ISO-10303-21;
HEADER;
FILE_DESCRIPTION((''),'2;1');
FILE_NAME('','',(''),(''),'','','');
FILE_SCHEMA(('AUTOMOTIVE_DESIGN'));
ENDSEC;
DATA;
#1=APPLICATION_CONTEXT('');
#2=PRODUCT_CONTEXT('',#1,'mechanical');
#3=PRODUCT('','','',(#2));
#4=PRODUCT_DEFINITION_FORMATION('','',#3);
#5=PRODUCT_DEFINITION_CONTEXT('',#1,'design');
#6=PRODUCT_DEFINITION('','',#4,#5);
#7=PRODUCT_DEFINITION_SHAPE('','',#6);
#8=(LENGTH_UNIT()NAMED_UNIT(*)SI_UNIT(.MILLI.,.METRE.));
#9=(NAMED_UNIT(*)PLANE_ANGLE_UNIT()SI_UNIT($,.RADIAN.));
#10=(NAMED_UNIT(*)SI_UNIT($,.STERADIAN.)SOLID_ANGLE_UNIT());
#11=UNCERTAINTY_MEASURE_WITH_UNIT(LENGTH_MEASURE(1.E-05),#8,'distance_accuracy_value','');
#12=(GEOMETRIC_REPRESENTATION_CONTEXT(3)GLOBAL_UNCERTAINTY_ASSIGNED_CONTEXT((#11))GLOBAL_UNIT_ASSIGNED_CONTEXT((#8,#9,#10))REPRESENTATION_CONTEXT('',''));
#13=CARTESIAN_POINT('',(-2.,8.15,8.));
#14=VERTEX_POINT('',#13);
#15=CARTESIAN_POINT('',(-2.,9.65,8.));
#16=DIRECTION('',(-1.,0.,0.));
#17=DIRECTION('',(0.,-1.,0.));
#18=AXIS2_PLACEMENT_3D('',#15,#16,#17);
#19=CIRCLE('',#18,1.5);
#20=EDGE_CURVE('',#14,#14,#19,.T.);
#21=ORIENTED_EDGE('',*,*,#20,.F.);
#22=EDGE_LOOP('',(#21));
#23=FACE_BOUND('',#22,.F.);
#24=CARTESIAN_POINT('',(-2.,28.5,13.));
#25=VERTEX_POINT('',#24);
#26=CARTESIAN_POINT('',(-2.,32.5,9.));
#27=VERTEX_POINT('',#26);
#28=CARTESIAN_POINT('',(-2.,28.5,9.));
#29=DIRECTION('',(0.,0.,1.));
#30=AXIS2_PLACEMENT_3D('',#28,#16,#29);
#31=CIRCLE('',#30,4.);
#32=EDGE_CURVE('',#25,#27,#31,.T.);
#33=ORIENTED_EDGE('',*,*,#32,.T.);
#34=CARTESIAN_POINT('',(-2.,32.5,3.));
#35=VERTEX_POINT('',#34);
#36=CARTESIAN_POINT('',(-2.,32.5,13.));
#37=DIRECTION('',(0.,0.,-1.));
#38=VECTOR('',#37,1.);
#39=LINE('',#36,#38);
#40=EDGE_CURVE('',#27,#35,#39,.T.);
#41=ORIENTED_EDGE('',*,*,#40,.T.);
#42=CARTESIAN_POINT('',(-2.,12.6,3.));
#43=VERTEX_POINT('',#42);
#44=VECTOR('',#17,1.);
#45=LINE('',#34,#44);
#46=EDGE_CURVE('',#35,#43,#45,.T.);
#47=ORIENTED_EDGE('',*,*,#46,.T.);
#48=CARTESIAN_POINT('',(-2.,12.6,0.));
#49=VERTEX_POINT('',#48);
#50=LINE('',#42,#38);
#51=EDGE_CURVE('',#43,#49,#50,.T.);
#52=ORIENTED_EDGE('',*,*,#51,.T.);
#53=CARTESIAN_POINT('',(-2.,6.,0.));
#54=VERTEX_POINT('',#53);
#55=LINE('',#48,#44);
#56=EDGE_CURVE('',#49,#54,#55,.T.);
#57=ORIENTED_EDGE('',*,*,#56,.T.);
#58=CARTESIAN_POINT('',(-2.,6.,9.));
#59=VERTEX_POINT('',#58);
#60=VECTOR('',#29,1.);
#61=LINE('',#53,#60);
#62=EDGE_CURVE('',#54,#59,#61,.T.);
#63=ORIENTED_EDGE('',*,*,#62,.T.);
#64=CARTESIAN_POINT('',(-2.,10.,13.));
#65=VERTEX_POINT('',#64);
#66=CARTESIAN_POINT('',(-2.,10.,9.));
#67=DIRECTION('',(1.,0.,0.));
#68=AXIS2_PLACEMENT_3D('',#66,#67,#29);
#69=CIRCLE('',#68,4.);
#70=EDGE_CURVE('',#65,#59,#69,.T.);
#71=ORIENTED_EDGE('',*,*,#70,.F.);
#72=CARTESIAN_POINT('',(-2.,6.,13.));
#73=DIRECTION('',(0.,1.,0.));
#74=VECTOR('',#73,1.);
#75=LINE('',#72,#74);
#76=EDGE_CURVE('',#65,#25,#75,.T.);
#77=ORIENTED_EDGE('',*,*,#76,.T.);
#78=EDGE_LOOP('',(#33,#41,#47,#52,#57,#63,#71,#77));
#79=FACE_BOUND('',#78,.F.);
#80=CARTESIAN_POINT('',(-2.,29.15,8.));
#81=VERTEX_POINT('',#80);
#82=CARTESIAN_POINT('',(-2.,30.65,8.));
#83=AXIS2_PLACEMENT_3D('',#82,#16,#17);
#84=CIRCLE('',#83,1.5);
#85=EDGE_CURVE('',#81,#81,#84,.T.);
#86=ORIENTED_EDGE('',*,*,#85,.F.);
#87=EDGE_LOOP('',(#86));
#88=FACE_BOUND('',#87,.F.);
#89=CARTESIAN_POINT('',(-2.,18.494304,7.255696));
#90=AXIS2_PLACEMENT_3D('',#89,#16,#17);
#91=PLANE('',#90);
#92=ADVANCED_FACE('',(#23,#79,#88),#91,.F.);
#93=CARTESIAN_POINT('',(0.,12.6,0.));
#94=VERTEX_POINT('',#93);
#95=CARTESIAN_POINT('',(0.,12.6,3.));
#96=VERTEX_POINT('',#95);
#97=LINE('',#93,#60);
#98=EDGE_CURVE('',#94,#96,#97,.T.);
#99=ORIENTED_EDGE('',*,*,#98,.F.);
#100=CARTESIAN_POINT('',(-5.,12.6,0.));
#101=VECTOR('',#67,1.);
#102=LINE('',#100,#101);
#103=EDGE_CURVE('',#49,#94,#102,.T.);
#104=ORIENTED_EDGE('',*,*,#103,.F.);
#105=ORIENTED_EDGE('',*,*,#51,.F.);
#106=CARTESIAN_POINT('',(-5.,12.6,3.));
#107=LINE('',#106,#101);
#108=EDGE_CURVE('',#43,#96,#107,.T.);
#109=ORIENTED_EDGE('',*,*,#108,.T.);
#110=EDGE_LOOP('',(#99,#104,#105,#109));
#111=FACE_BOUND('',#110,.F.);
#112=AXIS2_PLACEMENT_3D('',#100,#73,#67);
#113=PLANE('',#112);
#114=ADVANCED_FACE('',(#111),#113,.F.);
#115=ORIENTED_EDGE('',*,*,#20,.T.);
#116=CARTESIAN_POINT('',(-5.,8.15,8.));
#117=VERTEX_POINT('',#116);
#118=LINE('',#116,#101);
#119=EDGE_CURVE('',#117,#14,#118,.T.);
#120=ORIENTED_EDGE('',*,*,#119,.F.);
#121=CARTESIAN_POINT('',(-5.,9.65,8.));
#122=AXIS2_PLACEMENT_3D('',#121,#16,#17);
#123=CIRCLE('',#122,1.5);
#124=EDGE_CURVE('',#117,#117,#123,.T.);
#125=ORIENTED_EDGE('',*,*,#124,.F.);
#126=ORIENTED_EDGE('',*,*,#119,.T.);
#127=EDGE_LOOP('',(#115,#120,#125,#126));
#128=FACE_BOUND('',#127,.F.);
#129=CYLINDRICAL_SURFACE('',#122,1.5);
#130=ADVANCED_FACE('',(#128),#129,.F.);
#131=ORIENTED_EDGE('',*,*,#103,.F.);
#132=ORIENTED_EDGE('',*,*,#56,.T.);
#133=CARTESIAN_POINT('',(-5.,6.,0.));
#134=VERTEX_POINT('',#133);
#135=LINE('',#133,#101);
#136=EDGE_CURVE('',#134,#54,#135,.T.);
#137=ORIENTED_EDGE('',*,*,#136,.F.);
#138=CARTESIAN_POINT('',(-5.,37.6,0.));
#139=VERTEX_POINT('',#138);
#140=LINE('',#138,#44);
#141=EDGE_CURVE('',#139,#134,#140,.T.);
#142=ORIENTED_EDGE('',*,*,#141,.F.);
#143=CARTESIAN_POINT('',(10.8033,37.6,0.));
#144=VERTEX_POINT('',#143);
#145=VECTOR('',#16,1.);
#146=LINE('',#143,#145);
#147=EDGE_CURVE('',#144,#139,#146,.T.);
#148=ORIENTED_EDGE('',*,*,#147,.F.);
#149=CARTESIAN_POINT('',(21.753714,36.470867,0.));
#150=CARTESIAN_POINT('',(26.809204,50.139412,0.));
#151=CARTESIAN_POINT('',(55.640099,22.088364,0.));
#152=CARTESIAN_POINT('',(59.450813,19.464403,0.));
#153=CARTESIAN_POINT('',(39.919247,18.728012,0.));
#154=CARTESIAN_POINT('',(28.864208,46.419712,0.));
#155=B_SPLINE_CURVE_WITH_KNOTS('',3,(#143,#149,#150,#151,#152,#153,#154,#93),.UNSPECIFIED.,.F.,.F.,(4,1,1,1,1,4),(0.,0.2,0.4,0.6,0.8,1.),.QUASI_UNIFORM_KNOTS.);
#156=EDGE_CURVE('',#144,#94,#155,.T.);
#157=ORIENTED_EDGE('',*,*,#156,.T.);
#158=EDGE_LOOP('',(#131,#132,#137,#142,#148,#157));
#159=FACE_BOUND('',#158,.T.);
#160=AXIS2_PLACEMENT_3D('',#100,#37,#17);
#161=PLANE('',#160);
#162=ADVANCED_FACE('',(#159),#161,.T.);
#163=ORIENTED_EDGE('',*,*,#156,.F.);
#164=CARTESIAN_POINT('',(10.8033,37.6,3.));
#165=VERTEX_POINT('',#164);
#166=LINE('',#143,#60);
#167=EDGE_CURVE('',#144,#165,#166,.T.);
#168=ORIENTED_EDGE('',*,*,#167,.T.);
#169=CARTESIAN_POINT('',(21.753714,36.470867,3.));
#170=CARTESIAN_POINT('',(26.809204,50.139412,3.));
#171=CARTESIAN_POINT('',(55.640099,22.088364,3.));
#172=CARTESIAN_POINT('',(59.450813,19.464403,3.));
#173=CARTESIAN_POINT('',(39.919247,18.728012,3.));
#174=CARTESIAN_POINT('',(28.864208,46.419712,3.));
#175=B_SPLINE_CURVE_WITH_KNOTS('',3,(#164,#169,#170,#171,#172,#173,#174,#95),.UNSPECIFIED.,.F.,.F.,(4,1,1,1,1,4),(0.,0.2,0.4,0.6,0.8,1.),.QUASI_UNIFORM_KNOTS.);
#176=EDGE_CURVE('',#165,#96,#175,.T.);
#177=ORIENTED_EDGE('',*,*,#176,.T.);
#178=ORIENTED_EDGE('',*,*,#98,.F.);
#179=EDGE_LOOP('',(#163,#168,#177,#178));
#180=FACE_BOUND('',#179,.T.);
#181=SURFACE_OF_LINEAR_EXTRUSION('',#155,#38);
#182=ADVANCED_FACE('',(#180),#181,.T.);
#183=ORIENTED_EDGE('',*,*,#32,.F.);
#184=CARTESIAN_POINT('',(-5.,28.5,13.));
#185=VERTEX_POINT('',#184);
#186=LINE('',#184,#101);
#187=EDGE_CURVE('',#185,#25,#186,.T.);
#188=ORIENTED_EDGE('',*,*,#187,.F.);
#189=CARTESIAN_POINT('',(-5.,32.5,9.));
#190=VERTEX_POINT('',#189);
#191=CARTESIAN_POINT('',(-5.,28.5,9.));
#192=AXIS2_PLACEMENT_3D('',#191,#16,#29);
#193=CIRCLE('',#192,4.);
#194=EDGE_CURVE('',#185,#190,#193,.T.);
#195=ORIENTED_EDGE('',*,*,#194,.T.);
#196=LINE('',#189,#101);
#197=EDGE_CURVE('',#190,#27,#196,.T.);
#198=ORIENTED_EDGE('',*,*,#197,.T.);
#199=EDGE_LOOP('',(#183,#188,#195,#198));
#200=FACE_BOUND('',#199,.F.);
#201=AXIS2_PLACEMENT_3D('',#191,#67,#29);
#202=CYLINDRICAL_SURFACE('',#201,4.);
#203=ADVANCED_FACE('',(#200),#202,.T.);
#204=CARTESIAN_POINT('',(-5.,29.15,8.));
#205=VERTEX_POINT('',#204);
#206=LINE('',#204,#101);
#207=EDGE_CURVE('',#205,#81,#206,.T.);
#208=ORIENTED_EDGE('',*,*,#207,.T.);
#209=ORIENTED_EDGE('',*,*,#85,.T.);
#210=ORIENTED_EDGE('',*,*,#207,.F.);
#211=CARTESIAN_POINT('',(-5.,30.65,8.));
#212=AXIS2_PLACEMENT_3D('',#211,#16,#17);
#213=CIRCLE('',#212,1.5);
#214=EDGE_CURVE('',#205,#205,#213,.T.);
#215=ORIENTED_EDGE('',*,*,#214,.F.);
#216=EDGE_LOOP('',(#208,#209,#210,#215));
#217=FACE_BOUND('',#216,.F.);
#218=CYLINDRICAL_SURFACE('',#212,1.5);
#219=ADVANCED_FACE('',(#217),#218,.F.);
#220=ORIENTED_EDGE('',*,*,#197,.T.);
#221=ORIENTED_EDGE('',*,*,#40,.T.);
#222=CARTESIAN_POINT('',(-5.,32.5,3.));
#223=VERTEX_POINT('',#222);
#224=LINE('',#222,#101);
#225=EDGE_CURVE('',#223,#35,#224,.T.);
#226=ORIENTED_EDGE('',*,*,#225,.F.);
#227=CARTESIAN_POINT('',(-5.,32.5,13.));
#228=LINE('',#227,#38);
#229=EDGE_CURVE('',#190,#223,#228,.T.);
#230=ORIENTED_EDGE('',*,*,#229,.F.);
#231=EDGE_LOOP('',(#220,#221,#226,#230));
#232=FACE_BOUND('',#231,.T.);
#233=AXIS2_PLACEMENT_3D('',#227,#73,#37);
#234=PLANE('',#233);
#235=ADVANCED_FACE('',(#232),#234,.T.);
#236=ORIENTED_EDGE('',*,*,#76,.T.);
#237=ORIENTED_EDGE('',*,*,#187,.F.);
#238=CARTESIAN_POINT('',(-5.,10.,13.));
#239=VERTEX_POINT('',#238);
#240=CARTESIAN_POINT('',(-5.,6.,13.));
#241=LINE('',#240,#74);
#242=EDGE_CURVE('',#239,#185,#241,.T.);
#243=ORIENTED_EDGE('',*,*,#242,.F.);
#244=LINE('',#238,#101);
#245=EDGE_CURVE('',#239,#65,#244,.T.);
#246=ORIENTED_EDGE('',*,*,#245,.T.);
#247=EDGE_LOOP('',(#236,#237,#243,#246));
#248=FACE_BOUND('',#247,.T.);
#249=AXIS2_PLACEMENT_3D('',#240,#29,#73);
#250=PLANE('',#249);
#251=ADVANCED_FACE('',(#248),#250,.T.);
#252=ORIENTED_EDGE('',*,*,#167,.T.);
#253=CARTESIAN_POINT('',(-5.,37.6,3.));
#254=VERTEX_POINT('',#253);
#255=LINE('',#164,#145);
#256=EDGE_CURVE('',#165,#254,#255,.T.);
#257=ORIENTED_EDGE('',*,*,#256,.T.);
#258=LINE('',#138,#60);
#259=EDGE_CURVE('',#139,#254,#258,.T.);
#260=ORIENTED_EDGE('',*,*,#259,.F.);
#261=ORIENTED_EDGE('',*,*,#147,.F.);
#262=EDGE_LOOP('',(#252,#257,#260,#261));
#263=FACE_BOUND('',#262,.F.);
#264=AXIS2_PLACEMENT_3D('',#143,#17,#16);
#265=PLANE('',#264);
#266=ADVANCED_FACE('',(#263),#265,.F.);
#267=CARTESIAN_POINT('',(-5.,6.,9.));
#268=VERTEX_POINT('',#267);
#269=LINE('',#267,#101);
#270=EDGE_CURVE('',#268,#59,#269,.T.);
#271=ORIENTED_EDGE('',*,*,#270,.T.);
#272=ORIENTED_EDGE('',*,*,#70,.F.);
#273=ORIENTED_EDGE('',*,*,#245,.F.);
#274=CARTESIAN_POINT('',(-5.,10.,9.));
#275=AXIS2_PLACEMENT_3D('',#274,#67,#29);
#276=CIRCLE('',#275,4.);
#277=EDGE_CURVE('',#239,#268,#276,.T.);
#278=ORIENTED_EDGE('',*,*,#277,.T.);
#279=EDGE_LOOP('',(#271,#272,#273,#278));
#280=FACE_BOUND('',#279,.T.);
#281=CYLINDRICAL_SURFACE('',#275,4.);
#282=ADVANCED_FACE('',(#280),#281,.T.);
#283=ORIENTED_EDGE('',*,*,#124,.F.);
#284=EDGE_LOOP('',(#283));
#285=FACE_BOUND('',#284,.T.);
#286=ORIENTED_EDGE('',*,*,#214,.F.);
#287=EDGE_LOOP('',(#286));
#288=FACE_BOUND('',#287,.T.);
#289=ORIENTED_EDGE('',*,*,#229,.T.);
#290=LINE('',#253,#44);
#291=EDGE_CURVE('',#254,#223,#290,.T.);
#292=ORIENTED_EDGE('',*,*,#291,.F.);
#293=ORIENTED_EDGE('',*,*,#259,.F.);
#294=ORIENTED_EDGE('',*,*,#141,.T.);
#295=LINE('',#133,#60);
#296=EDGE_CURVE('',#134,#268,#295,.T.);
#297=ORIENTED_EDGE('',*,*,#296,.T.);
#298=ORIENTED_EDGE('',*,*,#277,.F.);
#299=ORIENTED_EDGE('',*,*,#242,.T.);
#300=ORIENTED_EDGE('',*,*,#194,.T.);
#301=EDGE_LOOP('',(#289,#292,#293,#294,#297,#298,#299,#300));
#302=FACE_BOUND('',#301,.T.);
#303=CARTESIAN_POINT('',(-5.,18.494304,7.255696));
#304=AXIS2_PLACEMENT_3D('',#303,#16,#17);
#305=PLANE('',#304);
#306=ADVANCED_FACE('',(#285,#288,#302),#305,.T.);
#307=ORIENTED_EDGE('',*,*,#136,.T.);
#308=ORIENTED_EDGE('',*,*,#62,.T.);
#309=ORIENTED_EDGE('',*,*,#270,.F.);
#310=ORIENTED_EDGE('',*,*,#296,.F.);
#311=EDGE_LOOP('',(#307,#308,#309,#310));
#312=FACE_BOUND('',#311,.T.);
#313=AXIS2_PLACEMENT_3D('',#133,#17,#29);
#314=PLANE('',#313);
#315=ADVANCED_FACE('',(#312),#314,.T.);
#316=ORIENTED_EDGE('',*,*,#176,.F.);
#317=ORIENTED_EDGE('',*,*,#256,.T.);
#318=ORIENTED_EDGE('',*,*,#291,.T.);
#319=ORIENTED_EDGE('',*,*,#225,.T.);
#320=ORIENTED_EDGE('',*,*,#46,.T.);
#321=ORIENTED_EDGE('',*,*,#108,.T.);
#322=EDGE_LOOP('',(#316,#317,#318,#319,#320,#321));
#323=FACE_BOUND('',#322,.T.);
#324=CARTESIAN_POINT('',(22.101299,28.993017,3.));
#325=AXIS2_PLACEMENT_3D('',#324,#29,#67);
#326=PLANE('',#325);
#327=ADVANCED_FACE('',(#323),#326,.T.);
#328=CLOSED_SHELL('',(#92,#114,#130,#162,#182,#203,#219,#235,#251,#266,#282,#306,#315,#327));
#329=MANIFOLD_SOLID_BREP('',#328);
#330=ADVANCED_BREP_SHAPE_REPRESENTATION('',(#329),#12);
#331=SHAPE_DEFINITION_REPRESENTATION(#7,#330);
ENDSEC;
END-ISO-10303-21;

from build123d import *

# Parameters (mm, degrees)
PAD_DEPTH    = 3
PAD001_DEPTH = 3
SKETCH002_R  = 1.5
POCKET_DEPTH = 61.874428
FILLET_R     = 4


with BuildPart() as part:
    # Sketch → Pad (new body)
    with BuildSketch(Plane.XY):
        with BuildLine():
            Line((10.8033, 37.6), (-5, 37.6))
            Line((-5, 37.6), (-5, 12.6))
            Line((-5, 12.6), (0, 12.6))
            add(Edge.make_bspline(
                [(10.8033, 37.6), (21.753714, 36.470867), (26.809204, 50.139412), (55.640099, 22.088364), (59.450813, 19.464403), (39.919247, 18.728012), (28.864208, 46.419712), (0, 12.6)],
                knots=[0, 0, 0, 0, 0.2, 0.4, 0.6, 0.8, 1, 1, 1, 1], degree=3))
        make_face()
    extrude(amount=PAD_DEPTH)

    # Sketch004 → Pad001 (join)
    with BuildSketch(Plane(origin=(-5, 0, 0), x_dir=(0, -1, 0), z_dir=(-1, 0, 0))):
        Polygon((-6, 13), (-32.5, 13), (-32.5, 3), (-12.6, 3), (-12.6, 0), (-6, 0), align=None)
    extrude(amount=-PAD001_DEPTH)

    # Sketch002 → Pocket (cut, through all)
    with BuildSketch(Plane(origin=(-5, 0, 0), x_dir=(0, -1, 0), z_dir=(-1, 0, 0))):
        with Locations((-30.65, 8)):
            Circle(SKETCH002_R)
        with Locations((-9.65, 8)):
            Circle(SKETCH002_R)
    extrude(amount=-POCKET_DEPTH, mode=Mode.SUBTRACT)

    # Fillet
    fillet_edges = [part.edges().sort_by_distance(p)[0] for p in [
        (-3.5, 6, 13),
        (-3.5, 32.5, 13),
    ]]
    fillet(fillet_edges, radius=FILLET_R)


solid = part.part
